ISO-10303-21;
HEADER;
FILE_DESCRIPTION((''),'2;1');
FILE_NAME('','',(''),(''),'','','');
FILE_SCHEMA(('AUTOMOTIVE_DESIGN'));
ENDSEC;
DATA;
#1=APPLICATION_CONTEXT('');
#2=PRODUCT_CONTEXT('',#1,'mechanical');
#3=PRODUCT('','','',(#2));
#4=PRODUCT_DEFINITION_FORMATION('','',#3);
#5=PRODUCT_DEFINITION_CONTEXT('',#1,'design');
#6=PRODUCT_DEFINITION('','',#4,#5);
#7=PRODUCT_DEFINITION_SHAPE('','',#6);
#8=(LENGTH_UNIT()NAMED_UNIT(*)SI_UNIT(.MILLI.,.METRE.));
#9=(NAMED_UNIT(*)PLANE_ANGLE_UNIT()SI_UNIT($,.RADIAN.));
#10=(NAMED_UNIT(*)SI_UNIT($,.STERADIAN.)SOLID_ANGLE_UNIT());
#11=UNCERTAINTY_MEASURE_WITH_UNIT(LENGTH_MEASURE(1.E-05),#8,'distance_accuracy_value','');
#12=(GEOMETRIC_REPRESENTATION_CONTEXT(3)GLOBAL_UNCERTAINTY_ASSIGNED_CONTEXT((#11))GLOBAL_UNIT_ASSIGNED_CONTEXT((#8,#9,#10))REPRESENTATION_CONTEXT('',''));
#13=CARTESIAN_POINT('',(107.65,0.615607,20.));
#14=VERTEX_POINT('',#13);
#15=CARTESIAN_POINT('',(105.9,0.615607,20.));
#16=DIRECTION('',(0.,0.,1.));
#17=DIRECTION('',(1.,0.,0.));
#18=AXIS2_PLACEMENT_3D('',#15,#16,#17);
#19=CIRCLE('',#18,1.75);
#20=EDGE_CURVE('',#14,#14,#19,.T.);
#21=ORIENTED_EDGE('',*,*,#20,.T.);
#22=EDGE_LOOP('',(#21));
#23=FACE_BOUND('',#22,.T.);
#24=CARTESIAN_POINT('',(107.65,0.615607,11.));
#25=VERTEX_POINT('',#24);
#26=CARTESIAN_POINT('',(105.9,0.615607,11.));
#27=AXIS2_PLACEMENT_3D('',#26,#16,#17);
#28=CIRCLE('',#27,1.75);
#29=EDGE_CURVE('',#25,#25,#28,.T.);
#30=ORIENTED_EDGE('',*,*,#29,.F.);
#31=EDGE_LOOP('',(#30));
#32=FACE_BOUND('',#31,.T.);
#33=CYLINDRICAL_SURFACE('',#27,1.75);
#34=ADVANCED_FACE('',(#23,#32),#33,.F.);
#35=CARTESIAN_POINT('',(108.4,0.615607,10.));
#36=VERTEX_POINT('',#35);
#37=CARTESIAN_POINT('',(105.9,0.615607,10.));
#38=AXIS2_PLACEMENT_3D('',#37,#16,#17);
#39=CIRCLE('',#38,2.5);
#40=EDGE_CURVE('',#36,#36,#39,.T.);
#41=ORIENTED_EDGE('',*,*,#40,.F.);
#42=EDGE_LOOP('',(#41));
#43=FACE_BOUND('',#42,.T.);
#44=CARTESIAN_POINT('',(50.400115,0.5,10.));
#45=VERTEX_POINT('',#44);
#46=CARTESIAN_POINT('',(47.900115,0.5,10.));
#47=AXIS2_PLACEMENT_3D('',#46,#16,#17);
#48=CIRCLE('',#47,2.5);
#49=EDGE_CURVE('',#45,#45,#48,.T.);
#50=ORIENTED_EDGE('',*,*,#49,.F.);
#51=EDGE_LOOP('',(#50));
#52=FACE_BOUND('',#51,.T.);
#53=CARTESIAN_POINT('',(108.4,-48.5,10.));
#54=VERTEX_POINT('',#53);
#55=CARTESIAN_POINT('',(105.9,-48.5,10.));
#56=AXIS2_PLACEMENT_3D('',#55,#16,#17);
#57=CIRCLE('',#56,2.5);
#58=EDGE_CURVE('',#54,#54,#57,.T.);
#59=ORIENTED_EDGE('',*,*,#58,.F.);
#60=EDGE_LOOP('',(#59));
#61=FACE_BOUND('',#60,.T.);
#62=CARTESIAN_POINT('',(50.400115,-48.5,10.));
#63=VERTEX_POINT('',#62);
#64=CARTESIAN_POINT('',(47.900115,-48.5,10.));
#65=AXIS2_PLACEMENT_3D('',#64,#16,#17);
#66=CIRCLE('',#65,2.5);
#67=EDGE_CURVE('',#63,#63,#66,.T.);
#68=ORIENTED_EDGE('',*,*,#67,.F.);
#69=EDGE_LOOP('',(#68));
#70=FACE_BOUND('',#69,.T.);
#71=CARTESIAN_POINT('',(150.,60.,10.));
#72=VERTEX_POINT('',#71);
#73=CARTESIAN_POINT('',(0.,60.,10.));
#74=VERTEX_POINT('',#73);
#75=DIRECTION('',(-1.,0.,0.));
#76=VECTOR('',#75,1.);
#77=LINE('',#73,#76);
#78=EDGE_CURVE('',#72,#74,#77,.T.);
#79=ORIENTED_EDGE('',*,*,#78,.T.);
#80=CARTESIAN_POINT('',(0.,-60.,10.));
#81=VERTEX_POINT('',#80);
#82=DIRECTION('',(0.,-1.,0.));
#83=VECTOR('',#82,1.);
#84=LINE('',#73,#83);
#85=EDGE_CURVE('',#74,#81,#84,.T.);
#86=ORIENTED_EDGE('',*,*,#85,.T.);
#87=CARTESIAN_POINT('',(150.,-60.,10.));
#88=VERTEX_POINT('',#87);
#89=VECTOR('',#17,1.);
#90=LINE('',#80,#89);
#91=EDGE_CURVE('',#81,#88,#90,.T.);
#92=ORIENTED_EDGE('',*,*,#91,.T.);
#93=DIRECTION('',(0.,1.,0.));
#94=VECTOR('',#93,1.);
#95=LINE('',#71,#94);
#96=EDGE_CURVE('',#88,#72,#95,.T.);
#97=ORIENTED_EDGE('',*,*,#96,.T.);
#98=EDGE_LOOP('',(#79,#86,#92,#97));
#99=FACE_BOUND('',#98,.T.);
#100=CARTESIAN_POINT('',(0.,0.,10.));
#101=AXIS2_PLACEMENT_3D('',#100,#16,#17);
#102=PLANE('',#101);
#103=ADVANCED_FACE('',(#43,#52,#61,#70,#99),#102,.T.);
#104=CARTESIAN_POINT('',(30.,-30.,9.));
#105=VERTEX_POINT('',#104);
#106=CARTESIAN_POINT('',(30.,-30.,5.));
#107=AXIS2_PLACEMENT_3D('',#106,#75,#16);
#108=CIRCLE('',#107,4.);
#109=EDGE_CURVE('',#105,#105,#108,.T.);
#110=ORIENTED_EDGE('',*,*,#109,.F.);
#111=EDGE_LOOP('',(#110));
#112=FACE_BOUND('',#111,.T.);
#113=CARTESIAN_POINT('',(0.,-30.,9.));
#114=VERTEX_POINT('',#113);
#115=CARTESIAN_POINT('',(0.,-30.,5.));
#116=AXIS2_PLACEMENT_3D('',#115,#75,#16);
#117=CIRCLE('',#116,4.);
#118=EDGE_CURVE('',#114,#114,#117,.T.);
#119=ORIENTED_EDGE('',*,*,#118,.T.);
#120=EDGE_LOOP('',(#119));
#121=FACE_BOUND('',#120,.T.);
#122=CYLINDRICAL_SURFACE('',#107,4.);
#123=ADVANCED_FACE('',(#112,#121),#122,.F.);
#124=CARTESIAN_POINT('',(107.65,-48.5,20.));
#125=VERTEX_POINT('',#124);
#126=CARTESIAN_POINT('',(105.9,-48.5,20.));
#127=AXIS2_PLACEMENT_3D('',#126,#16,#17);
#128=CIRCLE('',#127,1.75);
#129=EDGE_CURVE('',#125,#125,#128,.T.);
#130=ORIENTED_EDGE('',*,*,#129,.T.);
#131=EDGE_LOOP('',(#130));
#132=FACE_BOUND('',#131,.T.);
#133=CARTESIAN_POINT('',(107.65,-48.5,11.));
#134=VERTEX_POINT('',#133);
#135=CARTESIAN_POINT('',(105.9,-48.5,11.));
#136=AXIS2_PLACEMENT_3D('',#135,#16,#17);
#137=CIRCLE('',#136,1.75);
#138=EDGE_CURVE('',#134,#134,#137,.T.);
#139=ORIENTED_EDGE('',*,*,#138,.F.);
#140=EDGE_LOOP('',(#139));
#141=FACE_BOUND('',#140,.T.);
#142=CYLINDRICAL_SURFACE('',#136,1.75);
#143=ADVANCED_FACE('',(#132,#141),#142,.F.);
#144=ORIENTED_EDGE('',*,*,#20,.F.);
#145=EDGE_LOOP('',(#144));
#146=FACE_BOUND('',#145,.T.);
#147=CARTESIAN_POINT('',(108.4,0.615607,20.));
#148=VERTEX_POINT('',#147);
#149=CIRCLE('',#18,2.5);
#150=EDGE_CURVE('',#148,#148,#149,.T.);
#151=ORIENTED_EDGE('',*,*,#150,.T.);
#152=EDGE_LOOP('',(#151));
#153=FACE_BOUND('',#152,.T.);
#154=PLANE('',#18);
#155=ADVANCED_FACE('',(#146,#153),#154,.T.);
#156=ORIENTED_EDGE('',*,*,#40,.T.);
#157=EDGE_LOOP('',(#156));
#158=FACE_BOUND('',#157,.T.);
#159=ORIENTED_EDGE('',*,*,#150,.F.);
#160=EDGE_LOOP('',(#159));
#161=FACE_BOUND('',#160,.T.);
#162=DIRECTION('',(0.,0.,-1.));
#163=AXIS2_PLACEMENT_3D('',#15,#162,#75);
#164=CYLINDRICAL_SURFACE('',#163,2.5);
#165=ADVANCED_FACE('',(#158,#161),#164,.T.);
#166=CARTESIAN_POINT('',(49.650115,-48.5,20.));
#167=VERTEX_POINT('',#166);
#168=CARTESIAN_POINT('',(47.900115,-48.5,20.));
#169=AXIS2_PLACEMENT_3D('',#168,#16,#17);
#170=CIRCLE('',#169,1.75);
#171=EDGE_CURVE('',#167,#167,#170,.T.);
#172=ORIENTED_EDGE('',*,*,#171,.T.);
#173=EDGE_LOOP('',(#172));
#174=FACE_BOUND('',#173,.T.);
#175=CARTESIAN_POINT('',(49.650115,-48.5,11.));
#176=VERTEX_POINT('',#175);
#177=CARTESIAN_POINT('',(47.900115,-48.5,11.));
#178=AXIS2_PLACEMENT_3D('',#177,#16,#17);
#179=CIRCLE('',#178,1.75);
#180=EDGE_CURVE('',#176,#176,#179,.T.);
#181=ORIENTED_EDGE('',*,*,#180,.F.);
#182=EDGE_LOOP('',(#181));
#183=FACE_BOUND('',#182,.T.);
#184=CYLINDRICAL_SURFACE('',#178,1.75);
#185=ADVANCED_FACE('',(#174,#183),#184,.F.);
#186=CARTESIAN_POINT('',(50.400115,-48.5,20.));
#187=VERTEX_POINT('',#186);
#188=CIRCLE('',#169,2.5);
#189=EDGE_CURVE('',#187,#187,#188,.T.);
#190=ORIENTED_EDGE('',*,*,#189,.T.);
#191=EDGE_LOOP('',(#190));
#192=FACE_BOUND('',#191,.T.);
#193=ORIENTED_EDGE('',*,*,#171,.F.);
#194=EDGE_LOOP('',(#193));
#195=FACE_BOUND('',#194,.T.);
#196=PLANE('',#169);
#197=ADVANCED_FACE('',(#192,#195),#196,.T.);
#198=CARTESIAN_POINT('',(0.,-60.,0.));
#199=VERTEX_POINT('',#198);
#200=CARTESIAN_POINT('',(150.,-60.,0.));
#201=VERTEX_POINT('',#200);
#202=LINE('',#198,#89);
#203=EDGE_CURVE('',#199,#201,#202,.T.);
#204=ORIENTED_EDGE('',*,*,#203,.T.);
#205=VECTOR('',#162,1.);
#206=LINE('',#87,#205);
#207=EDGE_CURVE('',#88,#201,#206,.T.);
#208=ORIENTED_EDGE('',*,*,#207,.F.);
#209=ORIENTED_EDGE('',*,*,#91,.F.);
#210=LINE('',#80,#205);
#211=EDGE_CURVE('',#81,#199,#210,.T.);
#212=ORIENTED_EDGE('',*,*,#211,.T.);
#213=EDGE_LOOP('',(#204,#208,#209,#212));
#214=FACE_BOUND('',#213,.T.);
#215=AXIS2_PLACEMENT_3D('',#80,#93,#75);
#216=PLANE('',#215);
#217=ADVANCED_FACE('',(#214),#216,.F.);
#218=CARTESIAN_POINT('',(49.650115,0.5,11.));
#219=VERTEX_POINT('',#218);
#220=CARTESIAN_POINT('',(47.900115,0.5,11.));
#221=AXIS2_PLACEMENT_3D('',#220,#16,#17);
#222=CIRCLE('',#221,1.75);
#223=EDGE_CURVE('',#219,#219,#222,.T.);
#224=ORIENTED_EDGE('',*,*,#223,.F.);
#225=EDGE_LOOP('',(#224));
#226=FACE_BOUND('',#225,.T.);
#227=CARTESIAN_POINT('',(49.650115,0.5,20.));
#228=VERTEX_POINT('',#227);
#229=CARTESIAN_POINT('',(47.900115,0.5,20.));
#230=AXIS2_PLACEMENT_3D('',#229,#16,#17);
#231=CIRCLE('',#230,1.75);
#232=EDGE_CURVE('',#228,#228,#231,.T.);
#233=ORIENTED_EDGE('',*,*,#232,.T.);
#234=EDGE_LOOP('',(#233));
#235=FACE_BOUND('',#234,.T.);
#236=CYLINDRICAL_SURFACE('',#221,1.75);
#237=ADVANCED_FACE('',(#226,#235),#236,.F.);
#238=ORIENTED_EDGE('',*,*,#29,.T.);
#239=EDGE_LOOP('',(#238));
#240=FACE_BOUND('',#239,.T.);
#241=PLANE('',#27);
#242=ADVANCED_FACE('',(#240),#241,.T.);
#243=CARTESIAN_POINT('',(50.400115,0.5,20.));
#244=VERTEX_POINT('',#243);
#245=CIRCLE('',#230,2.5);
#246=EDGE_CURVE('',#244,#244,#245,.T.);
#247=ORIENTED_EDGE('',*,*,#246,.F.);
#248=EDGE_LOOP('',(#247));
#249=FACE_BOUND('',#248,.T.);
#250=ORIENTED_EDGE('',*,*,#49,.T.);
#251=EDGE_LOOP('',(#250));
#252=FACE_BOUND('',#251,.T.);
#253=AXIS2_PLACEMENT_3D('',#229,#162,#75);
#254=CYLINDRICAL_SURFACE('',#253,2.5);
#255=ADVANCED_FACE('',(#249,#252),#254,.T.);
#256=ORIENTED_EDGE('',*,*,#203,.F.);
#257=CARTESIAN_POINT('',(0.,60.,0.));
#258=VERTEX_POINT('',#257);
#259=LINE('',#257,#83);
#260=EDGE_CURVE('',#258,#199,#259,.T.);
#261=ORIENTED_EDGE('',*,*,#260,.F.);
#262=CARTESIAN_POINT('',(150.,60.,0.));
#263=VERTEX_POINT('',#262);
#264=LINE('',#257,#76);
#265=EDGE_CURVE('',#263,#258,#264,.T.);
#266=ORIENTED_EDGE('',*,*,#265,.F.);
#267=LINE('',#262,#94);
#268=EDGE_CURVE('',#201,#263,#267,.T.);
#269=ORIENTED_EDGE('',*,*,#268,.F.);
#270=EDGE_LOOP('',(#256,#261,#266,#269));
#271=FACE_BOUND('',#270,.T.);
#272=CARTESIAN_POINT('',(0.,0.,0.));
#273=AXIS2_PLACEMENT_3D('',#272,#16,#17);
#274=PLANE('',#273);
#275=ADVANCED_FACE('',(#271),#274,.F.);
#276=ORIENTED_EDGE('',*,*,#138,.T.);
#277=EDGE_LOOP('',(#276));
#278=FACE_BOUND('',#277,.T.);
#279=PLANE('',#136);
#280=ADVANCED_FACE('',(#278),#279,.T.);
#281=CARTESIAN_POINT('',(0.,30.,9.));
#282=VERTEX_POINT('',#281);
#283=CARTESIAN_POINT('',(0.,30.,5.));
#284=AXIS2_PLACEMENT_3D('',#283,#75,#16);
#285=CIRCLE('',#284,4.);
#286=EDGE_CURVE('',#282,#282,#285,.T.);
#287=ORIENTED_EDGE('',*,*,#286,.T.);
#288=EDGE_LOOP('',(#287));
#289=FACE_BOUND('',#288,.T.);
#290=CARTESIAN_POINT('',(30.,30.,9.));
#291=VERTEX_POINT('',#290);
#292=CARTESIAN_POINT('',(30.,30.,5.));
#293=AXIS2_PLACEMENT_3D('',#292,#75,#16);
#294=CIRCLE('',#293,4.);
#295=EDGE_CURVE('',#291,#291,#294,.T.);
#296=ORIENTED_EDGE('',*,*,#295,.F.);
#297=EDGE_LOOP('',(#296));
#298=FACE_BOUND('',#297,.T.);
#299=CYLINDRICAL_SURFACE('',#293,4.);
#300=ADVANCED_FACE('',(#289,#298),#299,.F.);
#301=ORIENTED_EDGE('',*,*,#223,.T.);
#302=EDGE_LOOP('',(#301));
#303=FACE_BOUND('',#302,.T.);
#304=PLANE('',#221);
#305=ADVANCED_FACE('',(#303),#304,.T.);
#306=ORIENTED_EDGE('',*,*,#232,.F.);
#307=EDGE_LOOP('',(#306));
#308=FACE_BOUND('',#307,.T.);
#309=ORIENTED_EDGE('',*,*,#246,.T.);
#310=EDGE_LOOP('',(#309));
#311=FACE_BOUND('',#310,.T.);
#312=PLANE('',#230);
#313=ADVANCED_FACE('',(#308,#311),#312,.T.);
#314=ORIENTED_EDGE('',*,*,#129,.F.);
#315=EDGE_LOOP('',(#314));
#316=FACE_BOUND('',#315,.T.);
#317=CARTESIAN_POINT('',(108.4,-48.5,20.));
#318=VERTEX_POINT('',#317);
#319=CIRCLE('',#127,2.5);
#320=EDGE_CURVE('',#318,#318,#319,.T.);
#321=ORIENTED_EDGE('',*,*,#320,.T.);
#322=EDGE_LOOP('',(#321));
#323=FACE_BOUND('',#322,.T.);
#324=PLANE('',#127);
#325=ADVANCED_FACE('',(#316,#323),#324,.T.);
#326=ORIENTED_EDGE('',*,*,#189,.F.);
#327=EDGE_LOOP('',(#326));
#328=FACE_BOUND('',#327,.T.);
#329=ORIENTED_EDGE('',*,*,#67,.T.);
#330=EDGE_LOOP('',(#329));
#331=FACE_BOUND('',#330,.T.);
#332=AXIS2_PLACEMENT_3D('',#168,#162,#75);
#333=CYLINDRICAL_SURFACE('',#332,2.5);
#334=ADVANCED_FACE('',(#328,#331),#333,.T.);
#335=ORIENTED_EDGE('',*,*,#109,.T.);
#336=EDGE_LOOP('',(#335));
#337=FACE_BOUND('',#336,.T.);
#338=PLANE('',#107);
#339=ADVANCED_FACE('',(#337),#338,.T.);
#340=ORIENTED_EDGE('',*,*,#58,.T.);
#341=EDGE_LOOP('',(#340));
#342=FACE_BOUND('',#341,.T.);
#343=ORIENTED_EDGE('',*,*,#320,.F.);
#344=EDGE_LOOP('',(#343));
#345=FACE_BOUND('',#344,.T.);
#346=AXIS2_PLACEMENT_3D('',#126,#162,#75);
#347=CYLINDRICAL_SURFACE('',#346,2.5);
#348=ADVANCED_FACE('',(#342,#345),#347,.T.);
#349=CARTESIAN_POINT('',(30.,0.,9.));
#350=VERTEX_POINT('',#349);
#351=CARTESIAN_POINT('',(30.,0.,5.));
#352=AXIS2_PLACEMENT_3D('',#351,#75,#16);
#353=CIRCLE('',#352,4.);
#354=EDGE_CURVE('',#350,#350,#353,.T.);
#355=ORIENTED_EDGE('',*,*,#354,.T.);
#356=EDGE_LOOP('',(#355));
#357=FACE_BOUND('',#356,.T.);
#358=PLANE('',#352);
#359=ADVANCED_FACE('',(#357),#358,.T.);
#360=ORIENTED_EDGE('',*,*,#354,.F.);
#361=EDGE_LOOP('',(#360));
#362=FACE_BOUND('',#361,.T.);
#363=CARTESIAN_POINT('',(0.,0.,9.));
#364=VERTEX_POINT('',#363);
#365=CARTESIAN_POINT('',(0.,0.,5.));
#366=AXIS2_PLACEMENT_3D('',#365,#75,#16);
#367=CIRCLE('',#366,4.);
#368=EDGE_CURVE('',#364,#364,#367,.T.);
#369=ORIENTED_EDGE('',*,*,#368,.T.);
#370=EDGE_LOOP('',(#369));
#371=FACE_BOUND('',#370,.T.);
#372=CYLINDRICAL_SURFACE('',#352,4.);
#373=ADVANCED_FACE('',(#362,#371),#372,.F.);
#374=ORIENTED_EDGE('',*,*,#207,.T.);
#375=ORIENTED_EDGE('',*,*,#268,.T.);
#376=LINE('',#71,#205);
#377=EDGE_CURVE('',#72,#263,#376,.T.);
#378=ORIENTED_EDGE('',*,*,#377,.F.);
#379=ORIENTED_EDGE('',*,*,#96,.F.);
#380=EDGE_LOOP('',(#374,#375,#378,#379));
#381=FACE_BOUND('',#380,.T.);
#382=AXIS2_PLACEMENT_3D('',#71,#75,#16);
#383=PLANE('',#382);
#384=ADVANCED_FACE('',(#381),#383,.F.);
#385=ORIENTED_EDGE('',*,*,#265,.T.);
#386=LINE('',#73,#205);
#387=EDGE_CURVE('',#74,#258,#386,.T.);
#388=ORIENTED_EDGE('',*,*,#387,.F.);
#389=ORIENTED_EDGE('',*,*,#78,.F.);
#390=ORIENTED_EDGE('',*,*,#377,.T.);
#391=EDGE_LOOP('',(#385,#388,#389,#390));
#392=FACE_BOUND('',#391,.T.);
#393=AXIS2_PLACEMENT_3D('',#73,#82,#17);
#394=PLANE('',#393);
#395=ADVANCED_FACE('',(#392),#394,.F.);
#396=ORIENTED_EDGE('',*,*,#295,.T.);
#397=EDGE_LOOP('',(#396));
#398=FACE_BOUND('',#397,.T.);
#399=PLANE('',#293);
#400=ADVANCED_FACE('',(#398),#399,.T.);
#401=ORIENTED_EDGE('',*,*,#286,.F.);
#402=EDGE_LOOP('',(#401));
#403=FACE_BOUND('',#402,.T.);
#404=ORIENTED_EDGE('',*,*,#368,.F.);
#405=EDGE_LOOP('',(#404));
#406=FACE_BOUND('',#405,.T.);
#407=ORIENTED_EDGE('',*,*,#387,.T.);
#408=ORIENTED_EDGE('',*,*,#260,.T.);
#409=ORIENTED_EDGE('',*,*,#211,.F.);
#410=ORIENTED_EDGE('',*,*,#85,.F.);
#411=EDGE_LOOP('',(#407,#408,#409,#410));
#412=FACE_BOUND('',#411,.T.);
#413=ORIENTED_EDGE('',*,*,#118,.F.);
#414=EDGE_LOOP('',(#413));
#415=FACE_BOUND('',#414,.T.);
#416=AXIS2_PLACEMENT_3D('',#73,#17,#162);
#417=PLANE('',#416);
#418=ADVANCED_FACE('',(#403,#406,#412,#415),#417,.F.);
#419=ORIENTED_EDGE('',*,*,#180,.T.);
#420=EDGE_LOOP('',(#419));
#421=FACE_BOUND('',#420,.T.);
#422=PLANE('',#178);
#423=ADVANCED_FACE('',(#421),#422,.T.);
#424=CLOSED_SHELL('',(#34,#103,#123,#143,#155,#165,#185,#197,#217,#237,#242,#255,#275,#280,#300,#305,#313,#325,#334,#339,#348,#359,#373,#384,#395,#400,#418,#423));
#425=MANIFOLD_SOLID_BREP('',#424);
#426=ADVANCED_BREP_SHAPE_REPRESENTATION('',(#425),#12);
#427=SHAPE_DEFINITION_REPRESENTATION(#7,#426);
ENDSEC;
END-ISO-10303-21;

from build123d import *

# Parameters (mm, degrees)
SKETCH1_W               = 150
SKETCH1_H               = 120
BOSS_EXTRUDE1_DEPTH     = 10
SKETCH2_R               = 4
CUT_EXTRUDE1_DEPTH      = 30
CROQUIS4_R              = 2.5
SALIENTE_EXTRUIR2_DEPTH = 10
CROQUIS5_R              = 1.75
CORTAR_EXTRUIR1_DEPTH   = 9


with BuildPart() as part:
    # Sketch1 → Boss-Extrude1 (new body)
    with BuildSketch(Plane.XY):
        with Locations((75, 0)):
            Rectangle(SKETCH1_W, SKETCH1_H)
    extrude(amount=BOSS_EXTRUDE1_DEPTH)

    # Sketch2 → Cut-Extrude1 (cut)
    with BuildSketch(Plane.ZY):
        with Locations((5, 0)):
            Circle(SKETCH2_R)
        with Locations((5, 30)):
            Circle(SKETCH2_R)
        with Locations((5, -30)):
            Circle(SKETCH2_R)
    extrude(amount=-CUT_EXTRUDE1_DEPTH, mode=Mode.SUBTRACT)

    # Croquis4 → Saliente-Extruir2 (add)
    with BuildSketch(Plane.XY.offset(10)):
        with Locations((47.900115216, 0.5)):
            Circle(CROQUIS4_R)
        with Locations((105.9, 0.615607451)):
            Circle(CROQUIS4_R)
        with Locations((105.9, -48.5)):
            Circle(CROQUIS4_R)
        with Locations((47.900115216, -48.5)):
            Circle(CROQUIS4_R)
    extrude(amount=SALIENTE_EXTRUIR2_DEPTH)

    # Croquis5 → Cortar-Extruir1 (cut)
    with BuildSketch(Plane.XY.offset(20)):
        with Locations((47.900115216, 0.5)):
            Circle(CROQUIS5_R)
        with Locations((47.900115216, -48.5)):
            Circle(CROQUIS5_R)
        with Locations((105.9, -48.5)):
            Circle(CROQUIS5_R)
        with Locations((105.9, 0.615607451)):
            Circle(CROQUIS5_R)
    extrude(amount=-CORTAR_EXTRUIR1_DEPTH, mode=Mode.SUBTRACT)


solid = part.part
